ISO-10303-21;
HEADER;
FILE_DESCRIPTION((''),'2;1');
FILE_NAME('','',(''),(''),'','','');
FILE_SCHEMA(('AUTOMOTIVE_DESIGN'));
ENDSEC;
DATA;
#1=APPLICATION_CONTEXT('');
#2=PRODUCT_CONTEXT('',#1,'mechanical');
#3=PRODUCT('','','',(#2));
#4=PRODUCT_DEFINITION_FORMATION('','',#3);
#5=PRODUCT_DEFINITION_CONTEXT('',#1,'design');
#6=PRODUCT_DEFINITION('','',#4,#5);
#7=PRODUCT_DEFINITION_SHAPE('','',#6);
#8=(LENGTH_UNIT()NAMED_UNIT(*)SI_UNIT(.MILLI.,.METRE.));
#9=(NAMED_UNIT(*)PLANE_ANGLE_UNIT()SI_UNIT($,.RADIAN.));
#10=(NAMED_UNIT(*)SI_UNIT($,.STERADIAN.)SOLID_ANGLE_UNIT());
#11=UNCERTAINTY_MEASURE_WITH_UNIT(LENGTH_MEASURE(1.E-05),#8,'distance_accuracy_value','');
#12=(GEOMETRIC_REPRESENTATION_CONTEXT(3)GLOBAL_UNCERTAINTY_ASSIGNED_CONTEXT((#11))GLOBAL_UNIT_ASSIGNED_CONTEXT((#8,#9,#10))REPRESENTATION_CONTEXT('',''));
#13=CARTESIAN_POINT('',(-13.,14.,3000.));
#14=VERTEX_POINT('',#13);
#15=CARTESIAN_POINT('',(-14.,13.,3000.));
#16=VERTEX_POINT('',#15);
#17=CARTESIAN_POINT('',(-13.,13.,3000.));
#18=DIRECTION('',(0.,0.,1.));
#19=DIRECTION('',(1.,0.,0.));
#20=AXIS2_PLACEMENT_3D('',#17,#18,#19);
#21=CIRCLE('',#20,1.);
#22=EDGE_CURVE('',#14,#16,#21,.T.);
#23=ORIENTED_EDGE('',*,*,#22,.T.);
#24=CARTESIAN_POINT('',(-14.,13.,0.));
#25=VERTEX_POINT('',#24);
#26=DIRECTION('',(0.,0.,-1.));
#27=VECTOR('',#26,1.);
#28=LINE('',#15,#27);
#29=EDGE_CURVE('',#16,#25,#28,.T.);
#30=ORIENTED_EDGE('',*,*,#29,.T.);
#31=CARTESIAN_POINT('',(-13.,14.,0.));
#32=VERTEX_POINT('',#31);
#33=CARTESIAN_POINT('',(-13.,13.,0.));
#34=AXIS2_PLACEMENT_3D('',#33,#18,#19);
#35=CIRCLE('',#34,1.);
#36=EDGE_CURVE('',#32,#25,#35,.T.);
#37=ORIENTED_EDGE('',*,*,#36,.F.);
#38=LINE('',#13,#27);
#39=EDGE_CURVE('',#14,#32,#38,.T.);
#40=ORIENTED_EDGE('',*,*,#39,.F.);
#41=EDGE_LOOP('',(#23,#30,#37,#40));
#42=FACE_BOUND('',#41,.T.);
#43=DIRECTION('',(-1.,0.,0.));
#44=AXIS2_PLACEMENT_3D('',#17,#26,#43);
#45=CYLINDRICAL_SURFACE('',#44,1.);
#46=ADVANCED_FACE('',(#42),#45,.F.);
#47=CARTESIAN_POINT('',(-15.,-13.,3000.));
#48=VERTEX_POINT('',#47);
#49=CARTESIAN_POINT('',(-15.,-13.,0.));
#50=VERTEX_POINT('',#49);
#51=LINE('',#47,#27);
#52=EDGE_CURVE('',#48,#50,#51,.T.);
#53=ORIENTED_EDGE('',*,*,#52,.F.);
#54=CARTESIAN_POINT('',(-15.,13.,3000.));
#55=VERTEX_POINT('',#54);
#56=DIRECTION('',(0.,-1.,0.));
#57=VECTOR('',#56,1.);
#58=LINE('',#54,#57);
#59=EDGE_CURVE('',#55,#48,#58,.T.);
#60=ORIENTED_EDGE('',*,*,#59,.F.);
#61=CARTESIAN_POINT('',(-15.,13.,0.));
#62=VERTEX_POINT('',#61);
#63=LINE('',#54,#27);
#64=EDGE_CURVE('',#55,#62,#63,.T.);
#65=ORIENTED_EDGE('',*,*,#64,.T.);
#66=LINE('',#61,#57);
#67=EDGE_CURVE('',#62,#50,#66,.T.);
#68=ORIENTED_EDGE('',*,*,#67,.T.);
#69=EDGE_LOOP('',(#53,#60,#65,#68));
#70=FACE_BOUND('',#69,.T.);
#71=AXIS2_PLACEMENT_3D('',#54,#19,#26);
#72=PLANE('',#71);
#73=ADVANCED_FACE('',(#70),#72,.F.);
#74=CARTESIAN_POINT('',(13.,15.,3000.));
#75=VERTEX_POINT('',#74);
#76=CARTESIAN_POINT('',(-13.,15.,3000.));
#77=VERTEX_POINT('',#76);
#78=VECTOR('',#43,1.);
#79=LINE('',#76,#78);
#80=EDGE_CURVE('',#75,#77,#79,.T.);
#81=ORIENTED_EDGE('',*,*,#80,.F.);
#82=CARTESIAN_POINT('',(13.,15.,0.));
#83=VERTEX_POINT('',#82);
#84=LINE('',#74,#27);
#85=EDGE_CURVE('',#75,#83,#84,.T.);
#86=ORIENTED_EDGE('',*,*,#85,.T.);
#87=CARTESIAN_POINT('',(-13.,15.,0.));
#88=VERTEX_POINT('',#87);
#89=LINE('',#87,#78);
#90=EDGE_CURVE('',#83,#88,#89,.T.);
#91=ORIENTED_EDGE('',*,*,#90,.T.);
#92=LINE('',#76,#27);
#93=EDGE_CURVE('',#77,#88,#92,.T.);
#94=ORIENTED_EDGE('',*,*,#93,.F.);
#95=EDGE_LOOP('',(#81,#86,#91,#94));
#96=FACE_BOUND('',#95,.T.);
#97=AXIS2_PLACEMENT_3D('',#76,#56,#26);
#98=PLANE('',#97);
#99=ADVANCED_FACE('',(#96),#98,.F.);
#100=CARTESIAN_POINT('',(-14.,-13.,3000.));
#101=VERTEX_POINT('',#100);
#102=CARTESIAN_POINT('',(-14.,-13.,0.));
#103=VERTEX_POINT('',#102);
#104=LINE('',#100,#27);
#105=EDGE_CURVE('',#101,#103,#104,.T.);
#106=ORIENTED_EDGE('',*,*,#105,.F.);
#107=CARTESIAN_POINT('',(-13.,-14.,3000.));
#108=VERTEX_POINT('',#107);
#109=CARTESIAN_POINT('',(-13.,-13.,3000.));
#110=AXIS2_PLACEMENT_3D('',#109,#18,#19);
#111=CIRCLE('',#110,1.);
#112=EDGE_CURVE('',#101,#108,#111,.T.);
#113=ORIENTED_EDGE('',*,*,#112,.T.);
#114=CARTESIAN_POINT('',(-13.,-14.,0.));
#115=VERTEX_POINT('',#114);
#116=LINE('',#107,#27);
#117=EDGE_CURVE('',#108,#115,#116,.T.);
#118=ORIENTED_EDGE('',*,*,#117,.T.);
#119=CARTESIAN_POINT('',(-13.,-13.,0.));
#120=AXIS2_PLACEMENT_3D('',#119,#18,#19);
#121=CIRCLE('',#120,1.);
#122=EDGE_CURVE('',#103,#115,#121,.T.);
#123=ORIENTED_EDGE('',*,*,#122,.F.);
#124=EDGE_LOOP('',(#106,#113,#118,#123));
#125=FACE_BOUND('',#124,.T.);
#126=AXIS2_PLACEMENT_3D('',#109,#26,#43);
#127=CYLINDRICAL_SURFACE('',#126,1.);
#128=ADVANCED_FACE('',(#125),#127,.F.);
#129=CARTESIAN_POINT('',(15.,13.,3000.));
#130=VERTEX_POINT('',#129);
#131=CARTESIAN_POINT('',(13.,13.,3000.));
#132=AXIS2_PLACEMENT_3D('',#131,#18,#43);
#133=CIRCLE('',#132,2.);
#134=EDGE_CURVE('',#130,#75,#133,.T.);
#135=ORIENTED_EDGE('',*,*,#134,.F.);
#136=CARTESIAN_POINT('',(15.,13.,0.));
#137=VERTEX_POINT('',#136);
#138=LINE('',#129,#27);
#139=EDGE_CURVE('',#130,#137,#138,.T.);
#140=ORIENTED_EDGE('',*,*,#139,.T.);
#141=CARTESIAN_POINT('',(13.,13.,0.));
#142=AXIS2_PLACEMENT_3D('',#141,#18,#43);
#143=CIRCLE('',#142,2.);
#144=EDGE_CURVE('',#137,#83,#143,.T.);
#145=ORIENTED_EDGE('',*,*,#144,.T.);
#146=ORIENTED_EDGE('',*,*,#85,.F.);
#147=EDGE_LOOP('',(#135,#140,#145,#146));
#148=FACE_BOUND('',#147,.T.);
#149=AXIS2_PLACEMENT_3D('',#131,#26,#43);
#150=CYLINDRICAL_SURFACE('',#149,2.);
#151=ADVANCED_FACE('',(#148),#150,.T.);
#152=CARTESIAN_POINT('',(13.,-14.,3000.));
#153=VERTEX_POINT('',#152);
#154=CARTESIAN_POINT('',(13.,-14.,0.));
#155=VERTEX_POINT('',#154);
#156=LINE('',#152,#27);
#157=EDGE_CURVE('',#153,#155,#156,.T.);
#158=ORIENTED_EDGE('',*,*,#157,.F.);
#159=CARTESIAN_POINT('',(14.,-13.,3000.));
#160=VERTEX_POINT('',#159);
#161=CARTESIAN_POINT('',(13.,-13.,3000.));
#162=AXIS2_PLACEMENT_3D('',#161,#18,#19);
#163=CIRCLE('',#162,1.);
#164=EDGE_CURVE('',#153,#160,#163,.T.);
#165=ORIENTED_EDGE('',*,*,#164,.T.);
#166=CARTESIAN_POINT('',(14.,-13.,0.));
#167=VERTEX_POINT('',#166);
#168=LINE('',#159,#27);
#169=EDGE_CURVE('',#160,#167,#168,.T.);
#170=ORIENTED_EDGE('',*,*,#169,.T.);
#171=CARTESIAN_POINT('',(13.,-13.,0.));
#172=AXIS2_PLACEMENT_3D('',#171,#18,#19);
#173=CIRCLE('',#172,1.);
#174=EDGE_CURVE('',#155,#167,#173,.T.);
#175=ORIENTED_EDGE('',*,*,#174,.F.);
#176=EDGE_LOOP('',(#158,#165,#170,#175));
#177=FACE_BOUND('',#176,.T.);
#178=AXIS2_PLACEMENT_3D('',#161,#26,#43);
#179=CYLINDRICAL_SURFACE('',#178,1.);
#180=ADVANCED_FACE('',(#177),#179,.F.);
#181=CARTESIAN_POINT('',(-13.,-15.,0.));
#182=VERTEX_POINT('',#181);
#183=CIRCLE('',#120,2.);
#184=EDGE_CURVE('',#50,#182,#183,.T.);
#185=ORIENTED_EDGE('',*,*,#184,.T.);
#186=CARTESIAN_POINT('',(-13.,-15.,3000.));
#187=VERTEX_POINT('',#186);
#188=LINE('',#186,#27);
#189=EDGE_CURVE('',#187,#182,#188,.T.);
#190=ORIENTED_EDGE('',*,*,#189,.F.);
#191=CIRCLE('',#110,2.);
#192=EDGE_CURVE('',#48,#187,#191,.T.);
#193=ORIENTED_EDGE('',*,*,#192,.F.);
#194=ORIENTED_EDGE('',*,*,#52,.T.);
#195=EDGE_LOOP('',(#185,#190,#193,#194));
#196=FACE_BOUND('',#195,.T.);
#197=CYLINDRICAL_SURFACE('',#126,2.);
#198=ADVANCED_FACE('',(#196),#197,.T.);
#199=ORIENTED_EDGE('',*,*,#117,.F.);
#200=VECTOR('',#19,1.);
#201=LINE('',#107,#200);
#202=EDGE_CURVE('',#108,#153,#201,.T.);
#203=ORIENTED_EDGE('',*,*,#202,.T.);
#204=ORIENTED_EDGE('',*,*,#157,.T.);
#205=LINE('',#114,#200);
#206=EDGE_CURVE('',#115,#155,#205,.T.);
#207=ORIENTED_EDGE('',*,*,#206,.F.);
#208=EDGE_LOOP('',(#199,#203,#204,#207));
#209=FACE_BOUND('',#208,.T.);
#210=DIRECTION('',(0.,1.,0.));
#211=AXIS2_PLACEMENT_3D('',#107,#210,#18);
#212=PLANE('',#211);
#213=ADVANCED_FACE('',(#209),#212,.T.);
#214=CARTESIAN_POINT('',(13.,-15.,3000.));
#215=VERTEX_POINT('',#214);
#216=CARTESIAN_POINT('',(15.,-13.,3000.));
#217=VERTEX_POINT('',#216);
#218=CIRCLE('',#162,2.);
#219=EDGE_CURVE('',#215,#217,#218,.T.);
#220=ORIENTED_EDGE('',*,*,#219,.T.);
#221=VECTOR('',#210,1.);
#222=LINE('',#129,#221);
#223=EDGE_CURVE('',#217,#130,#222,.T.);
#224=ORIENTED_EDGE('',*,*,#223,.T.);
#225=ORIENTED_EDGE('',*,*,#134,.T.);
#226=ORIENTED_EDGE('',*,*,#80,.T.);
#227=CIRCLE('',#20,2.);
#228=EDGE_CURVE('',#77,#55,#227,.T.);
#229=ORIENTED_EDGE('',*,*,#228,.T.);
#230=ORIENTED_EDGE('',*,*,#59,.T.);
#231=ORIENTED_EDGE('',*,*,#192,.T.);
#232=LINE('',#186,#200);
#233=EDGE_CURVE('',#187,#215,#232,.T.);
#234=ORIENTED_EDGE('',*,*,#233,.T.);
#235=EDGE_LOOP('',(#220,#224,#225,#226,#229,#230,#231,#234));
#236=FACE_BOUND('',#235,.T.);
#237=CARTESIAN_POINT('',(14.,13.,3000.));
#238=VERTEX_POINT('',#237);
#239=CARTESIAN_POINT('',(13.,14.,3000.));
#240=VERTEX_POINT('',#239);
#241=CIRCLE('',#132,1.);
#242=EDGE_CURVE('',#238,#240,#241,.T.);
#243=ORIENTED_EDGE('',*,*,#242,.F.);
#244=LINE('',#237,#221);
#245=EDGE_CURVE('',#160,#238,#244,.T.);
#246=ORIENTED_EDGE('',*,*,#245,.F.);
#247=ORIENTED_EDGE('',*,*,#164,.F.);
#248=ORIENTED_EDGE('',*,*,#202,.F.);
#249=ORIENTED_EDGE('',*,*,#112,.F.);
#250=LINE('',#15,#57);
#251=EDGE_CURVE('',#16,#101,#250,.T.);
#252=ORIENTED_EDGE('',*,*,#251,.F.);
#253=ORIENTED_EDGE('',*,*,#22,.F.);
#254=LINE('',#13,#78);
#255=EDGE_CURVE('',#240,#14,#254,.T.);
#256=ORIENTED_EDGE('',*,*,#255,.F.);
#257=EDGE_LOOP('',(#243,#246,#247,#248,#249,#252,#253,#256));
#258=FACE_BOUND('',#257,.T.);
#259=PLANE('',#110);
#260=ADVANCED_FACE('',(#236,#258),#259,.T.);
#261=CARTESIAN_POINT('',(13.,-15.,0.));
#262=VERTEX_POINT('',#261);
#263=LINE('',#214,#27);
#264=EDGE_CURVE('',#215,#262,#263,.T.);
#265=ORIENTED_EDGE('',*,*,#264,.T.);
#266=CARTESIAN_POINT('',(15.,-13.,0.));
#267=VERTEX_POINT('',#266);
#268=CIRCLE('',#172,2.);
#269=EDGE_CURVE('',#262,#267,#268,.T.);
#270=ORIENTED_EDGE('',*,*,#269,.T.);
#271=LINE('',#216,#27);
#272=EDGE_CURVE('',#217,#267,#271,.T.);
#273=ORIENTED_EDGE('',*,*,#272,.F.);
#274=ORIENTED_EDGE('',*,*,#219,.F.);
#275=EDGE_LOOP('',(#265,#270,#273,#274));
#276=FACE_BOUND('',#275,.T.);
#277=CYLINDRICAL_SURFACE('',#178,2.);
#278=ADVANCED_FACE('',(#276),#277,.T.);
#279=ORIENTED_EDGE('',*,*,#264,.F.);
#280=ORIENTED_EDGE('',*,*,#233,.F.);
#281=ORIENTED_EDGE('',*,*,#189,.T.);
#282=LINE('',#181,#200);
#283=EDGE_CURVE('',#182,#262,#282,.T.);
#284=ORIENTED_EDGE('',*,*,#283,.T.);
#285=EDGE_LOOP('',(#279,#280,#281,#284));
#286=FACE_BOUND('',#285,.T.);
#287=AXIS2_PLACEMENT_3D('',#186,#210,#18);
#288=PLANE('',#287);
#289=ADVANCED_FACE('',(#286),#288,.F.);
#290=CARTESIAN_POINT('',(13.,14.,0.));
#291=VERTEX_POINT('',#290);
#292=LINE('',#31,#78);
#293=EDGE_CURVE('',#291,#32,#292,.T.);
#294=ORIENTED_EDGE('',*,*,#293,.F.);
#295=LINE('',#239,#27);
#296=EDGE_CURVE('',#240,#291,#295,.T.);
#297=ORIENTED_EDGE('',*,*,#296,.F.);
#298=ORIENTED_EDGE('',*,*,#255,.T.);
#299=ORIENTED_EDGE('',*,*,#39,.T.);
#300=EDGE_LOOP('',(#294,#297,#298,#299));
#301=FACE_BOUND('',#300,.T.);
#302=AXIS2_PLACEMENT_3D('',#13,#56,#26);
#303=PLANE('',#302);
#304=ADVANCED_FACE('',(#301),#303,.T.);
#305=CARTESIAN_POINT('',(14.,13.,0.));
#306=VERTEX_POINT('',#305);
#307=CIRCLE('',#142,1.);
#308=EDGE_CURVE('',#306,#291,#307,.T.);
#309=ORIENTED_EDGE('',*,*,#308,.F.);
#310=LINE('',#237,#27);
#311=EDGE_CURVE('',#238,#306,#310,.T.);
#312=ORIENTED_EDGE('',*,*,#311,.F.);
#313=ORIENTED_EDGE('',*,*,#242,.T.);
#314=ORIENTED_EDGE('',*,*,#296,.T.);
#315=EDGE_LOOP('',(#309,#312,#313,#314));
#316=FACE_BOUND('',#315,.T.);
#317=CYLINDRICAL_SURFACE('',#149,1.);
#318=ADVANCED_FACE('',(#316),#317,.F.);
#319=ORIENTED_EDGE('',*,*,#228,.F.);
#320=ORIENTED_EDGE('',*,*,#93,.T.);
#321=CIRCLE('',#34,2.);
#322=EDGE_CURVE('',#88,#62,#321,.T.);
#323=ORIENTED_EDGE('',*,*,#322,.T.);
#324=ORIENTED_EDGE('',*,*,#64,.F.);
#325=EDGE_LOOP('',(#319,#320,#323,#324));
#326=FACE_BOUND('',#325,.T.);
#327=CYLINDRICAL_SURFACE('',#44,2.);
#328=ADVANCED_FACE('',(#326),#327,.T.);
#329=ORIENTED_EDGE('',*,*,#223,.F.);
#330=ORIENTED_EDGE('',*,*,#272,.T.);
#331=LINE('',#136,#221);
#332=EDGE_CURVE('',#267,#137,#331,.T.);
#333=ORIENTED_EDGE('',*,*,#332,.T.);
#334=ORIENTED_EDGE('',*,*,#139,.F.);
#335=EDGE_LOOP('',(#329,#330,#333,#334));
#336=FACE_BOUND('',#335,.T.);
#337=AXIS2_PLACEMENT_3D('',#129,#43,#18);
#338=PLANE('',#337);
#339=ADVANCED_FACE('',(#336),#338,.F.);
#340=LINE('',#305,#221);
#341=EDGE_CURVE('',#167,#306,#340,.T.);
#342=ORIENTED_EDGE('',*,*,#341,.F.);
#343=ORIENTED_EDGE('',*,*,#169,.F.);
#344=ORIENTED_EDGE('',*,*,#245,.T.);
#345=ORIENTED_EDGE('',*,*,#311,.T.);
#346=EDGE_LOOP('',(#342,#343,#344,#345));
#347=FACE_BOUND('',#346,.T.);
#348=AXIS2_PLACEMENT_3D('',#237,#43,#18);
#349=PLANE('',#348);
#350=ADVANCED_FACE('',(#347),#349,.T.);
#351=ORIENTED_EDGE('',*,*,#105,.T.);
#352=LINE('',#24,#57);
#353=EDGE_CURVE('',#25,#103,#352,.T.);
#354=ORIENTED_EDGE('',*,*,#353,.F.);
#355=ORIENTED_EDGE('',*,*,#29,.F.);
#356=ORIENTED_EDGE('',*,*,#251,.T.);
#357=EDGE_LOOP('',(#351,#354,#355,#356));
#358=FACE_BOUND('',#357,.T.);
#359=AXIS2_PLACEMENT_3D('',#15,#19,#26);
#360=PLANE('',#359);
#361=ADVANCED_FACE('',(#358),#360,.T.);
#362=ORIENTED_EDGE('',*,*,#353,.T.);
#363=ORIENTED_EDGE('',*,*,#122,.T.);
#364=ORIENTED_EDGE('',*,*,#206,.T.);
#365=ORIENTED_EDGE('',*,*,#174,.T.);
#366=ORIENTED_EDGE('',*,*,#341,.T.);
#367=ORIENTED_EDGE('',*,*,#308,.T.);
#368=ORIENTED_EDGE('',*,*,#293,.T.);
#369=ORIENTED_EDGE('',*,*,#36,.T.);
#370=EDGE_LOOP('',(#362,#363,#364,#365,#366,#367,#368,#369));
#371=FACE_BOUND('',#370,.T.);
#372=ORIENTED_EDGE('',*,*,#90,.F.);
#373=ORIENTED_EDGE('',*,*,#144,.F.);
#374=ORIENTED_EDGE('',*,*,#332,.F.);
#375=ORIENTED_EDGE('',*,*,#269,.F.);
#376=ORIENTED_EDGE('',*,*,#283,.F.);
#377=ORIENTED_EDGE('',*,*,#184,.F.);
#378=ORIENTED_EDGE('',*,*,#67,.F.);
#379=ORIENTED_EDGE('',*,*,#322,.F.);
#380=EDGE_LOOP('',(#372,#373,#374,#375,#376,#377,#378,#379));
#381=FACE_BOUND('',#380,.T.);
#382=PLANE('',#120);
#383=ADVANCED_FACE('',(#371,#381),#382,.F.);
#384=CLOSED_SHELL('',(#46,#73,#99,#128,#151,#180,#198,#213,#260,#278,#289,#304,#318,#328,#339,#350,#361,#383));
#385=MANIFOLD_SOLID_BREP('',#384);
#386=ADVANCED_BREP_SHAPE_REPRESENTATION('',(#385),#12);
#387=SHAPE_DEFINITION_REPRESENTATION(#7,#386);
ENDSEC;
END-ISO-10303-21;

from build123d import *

# Parameters (mm, degrees)
EXTRUDE_1_DEPTH = 3000


with BuildPart() as part:
    # Эскиз1 → Бобышка-Вытянуть1 (new body)
    with BuildSketch(Plane.XY):
        with BuildLine():
            Line((-13, 15), (13, 15))
            ThreePointArc((13, 15), (14.414213562, 14.414213562), (15, 13))
            Line((15, 13), (15, -13))
            ThreePointArc((15, -13), (14.414213562, -14.414213562), (13, -15))
            Line((13, -15), (-13, -15))
            ThreePointArc((-13, -15), (-14.414213562, -14.414213562), (-15, -13))
            Line((-15, -13), (-15, 13))
            ThreePointArc((-15, 13), (-14.414213562, 14.414213562), (-13, 15))
        make_face()
        with BuildLine():
            Line((-13, 14), (13, 14))
            ThreePointArc((13, 14), (13.707106781, 13.707106781), (14, 13))
            Line((14, 13), (14, -13))
            ThreePointArc((14, -13), (13.707106781, -13.707106781), (13, -14))
            Line((13, -14), (-13, -14))
            ThreePointArc((-13, -14), (-13.707106781, -13.707106781), (-14, -13))
            Line((-14, -13), (-14, 13))
            ThreePointArc((-14, 13), (-13.707106781, 13.707106781), (-13, 14))
        make_face(mode=Mode.SUBTRACT)
    extrude(amount=EXTRUDE_1_DEPTH)


solid = part.part
